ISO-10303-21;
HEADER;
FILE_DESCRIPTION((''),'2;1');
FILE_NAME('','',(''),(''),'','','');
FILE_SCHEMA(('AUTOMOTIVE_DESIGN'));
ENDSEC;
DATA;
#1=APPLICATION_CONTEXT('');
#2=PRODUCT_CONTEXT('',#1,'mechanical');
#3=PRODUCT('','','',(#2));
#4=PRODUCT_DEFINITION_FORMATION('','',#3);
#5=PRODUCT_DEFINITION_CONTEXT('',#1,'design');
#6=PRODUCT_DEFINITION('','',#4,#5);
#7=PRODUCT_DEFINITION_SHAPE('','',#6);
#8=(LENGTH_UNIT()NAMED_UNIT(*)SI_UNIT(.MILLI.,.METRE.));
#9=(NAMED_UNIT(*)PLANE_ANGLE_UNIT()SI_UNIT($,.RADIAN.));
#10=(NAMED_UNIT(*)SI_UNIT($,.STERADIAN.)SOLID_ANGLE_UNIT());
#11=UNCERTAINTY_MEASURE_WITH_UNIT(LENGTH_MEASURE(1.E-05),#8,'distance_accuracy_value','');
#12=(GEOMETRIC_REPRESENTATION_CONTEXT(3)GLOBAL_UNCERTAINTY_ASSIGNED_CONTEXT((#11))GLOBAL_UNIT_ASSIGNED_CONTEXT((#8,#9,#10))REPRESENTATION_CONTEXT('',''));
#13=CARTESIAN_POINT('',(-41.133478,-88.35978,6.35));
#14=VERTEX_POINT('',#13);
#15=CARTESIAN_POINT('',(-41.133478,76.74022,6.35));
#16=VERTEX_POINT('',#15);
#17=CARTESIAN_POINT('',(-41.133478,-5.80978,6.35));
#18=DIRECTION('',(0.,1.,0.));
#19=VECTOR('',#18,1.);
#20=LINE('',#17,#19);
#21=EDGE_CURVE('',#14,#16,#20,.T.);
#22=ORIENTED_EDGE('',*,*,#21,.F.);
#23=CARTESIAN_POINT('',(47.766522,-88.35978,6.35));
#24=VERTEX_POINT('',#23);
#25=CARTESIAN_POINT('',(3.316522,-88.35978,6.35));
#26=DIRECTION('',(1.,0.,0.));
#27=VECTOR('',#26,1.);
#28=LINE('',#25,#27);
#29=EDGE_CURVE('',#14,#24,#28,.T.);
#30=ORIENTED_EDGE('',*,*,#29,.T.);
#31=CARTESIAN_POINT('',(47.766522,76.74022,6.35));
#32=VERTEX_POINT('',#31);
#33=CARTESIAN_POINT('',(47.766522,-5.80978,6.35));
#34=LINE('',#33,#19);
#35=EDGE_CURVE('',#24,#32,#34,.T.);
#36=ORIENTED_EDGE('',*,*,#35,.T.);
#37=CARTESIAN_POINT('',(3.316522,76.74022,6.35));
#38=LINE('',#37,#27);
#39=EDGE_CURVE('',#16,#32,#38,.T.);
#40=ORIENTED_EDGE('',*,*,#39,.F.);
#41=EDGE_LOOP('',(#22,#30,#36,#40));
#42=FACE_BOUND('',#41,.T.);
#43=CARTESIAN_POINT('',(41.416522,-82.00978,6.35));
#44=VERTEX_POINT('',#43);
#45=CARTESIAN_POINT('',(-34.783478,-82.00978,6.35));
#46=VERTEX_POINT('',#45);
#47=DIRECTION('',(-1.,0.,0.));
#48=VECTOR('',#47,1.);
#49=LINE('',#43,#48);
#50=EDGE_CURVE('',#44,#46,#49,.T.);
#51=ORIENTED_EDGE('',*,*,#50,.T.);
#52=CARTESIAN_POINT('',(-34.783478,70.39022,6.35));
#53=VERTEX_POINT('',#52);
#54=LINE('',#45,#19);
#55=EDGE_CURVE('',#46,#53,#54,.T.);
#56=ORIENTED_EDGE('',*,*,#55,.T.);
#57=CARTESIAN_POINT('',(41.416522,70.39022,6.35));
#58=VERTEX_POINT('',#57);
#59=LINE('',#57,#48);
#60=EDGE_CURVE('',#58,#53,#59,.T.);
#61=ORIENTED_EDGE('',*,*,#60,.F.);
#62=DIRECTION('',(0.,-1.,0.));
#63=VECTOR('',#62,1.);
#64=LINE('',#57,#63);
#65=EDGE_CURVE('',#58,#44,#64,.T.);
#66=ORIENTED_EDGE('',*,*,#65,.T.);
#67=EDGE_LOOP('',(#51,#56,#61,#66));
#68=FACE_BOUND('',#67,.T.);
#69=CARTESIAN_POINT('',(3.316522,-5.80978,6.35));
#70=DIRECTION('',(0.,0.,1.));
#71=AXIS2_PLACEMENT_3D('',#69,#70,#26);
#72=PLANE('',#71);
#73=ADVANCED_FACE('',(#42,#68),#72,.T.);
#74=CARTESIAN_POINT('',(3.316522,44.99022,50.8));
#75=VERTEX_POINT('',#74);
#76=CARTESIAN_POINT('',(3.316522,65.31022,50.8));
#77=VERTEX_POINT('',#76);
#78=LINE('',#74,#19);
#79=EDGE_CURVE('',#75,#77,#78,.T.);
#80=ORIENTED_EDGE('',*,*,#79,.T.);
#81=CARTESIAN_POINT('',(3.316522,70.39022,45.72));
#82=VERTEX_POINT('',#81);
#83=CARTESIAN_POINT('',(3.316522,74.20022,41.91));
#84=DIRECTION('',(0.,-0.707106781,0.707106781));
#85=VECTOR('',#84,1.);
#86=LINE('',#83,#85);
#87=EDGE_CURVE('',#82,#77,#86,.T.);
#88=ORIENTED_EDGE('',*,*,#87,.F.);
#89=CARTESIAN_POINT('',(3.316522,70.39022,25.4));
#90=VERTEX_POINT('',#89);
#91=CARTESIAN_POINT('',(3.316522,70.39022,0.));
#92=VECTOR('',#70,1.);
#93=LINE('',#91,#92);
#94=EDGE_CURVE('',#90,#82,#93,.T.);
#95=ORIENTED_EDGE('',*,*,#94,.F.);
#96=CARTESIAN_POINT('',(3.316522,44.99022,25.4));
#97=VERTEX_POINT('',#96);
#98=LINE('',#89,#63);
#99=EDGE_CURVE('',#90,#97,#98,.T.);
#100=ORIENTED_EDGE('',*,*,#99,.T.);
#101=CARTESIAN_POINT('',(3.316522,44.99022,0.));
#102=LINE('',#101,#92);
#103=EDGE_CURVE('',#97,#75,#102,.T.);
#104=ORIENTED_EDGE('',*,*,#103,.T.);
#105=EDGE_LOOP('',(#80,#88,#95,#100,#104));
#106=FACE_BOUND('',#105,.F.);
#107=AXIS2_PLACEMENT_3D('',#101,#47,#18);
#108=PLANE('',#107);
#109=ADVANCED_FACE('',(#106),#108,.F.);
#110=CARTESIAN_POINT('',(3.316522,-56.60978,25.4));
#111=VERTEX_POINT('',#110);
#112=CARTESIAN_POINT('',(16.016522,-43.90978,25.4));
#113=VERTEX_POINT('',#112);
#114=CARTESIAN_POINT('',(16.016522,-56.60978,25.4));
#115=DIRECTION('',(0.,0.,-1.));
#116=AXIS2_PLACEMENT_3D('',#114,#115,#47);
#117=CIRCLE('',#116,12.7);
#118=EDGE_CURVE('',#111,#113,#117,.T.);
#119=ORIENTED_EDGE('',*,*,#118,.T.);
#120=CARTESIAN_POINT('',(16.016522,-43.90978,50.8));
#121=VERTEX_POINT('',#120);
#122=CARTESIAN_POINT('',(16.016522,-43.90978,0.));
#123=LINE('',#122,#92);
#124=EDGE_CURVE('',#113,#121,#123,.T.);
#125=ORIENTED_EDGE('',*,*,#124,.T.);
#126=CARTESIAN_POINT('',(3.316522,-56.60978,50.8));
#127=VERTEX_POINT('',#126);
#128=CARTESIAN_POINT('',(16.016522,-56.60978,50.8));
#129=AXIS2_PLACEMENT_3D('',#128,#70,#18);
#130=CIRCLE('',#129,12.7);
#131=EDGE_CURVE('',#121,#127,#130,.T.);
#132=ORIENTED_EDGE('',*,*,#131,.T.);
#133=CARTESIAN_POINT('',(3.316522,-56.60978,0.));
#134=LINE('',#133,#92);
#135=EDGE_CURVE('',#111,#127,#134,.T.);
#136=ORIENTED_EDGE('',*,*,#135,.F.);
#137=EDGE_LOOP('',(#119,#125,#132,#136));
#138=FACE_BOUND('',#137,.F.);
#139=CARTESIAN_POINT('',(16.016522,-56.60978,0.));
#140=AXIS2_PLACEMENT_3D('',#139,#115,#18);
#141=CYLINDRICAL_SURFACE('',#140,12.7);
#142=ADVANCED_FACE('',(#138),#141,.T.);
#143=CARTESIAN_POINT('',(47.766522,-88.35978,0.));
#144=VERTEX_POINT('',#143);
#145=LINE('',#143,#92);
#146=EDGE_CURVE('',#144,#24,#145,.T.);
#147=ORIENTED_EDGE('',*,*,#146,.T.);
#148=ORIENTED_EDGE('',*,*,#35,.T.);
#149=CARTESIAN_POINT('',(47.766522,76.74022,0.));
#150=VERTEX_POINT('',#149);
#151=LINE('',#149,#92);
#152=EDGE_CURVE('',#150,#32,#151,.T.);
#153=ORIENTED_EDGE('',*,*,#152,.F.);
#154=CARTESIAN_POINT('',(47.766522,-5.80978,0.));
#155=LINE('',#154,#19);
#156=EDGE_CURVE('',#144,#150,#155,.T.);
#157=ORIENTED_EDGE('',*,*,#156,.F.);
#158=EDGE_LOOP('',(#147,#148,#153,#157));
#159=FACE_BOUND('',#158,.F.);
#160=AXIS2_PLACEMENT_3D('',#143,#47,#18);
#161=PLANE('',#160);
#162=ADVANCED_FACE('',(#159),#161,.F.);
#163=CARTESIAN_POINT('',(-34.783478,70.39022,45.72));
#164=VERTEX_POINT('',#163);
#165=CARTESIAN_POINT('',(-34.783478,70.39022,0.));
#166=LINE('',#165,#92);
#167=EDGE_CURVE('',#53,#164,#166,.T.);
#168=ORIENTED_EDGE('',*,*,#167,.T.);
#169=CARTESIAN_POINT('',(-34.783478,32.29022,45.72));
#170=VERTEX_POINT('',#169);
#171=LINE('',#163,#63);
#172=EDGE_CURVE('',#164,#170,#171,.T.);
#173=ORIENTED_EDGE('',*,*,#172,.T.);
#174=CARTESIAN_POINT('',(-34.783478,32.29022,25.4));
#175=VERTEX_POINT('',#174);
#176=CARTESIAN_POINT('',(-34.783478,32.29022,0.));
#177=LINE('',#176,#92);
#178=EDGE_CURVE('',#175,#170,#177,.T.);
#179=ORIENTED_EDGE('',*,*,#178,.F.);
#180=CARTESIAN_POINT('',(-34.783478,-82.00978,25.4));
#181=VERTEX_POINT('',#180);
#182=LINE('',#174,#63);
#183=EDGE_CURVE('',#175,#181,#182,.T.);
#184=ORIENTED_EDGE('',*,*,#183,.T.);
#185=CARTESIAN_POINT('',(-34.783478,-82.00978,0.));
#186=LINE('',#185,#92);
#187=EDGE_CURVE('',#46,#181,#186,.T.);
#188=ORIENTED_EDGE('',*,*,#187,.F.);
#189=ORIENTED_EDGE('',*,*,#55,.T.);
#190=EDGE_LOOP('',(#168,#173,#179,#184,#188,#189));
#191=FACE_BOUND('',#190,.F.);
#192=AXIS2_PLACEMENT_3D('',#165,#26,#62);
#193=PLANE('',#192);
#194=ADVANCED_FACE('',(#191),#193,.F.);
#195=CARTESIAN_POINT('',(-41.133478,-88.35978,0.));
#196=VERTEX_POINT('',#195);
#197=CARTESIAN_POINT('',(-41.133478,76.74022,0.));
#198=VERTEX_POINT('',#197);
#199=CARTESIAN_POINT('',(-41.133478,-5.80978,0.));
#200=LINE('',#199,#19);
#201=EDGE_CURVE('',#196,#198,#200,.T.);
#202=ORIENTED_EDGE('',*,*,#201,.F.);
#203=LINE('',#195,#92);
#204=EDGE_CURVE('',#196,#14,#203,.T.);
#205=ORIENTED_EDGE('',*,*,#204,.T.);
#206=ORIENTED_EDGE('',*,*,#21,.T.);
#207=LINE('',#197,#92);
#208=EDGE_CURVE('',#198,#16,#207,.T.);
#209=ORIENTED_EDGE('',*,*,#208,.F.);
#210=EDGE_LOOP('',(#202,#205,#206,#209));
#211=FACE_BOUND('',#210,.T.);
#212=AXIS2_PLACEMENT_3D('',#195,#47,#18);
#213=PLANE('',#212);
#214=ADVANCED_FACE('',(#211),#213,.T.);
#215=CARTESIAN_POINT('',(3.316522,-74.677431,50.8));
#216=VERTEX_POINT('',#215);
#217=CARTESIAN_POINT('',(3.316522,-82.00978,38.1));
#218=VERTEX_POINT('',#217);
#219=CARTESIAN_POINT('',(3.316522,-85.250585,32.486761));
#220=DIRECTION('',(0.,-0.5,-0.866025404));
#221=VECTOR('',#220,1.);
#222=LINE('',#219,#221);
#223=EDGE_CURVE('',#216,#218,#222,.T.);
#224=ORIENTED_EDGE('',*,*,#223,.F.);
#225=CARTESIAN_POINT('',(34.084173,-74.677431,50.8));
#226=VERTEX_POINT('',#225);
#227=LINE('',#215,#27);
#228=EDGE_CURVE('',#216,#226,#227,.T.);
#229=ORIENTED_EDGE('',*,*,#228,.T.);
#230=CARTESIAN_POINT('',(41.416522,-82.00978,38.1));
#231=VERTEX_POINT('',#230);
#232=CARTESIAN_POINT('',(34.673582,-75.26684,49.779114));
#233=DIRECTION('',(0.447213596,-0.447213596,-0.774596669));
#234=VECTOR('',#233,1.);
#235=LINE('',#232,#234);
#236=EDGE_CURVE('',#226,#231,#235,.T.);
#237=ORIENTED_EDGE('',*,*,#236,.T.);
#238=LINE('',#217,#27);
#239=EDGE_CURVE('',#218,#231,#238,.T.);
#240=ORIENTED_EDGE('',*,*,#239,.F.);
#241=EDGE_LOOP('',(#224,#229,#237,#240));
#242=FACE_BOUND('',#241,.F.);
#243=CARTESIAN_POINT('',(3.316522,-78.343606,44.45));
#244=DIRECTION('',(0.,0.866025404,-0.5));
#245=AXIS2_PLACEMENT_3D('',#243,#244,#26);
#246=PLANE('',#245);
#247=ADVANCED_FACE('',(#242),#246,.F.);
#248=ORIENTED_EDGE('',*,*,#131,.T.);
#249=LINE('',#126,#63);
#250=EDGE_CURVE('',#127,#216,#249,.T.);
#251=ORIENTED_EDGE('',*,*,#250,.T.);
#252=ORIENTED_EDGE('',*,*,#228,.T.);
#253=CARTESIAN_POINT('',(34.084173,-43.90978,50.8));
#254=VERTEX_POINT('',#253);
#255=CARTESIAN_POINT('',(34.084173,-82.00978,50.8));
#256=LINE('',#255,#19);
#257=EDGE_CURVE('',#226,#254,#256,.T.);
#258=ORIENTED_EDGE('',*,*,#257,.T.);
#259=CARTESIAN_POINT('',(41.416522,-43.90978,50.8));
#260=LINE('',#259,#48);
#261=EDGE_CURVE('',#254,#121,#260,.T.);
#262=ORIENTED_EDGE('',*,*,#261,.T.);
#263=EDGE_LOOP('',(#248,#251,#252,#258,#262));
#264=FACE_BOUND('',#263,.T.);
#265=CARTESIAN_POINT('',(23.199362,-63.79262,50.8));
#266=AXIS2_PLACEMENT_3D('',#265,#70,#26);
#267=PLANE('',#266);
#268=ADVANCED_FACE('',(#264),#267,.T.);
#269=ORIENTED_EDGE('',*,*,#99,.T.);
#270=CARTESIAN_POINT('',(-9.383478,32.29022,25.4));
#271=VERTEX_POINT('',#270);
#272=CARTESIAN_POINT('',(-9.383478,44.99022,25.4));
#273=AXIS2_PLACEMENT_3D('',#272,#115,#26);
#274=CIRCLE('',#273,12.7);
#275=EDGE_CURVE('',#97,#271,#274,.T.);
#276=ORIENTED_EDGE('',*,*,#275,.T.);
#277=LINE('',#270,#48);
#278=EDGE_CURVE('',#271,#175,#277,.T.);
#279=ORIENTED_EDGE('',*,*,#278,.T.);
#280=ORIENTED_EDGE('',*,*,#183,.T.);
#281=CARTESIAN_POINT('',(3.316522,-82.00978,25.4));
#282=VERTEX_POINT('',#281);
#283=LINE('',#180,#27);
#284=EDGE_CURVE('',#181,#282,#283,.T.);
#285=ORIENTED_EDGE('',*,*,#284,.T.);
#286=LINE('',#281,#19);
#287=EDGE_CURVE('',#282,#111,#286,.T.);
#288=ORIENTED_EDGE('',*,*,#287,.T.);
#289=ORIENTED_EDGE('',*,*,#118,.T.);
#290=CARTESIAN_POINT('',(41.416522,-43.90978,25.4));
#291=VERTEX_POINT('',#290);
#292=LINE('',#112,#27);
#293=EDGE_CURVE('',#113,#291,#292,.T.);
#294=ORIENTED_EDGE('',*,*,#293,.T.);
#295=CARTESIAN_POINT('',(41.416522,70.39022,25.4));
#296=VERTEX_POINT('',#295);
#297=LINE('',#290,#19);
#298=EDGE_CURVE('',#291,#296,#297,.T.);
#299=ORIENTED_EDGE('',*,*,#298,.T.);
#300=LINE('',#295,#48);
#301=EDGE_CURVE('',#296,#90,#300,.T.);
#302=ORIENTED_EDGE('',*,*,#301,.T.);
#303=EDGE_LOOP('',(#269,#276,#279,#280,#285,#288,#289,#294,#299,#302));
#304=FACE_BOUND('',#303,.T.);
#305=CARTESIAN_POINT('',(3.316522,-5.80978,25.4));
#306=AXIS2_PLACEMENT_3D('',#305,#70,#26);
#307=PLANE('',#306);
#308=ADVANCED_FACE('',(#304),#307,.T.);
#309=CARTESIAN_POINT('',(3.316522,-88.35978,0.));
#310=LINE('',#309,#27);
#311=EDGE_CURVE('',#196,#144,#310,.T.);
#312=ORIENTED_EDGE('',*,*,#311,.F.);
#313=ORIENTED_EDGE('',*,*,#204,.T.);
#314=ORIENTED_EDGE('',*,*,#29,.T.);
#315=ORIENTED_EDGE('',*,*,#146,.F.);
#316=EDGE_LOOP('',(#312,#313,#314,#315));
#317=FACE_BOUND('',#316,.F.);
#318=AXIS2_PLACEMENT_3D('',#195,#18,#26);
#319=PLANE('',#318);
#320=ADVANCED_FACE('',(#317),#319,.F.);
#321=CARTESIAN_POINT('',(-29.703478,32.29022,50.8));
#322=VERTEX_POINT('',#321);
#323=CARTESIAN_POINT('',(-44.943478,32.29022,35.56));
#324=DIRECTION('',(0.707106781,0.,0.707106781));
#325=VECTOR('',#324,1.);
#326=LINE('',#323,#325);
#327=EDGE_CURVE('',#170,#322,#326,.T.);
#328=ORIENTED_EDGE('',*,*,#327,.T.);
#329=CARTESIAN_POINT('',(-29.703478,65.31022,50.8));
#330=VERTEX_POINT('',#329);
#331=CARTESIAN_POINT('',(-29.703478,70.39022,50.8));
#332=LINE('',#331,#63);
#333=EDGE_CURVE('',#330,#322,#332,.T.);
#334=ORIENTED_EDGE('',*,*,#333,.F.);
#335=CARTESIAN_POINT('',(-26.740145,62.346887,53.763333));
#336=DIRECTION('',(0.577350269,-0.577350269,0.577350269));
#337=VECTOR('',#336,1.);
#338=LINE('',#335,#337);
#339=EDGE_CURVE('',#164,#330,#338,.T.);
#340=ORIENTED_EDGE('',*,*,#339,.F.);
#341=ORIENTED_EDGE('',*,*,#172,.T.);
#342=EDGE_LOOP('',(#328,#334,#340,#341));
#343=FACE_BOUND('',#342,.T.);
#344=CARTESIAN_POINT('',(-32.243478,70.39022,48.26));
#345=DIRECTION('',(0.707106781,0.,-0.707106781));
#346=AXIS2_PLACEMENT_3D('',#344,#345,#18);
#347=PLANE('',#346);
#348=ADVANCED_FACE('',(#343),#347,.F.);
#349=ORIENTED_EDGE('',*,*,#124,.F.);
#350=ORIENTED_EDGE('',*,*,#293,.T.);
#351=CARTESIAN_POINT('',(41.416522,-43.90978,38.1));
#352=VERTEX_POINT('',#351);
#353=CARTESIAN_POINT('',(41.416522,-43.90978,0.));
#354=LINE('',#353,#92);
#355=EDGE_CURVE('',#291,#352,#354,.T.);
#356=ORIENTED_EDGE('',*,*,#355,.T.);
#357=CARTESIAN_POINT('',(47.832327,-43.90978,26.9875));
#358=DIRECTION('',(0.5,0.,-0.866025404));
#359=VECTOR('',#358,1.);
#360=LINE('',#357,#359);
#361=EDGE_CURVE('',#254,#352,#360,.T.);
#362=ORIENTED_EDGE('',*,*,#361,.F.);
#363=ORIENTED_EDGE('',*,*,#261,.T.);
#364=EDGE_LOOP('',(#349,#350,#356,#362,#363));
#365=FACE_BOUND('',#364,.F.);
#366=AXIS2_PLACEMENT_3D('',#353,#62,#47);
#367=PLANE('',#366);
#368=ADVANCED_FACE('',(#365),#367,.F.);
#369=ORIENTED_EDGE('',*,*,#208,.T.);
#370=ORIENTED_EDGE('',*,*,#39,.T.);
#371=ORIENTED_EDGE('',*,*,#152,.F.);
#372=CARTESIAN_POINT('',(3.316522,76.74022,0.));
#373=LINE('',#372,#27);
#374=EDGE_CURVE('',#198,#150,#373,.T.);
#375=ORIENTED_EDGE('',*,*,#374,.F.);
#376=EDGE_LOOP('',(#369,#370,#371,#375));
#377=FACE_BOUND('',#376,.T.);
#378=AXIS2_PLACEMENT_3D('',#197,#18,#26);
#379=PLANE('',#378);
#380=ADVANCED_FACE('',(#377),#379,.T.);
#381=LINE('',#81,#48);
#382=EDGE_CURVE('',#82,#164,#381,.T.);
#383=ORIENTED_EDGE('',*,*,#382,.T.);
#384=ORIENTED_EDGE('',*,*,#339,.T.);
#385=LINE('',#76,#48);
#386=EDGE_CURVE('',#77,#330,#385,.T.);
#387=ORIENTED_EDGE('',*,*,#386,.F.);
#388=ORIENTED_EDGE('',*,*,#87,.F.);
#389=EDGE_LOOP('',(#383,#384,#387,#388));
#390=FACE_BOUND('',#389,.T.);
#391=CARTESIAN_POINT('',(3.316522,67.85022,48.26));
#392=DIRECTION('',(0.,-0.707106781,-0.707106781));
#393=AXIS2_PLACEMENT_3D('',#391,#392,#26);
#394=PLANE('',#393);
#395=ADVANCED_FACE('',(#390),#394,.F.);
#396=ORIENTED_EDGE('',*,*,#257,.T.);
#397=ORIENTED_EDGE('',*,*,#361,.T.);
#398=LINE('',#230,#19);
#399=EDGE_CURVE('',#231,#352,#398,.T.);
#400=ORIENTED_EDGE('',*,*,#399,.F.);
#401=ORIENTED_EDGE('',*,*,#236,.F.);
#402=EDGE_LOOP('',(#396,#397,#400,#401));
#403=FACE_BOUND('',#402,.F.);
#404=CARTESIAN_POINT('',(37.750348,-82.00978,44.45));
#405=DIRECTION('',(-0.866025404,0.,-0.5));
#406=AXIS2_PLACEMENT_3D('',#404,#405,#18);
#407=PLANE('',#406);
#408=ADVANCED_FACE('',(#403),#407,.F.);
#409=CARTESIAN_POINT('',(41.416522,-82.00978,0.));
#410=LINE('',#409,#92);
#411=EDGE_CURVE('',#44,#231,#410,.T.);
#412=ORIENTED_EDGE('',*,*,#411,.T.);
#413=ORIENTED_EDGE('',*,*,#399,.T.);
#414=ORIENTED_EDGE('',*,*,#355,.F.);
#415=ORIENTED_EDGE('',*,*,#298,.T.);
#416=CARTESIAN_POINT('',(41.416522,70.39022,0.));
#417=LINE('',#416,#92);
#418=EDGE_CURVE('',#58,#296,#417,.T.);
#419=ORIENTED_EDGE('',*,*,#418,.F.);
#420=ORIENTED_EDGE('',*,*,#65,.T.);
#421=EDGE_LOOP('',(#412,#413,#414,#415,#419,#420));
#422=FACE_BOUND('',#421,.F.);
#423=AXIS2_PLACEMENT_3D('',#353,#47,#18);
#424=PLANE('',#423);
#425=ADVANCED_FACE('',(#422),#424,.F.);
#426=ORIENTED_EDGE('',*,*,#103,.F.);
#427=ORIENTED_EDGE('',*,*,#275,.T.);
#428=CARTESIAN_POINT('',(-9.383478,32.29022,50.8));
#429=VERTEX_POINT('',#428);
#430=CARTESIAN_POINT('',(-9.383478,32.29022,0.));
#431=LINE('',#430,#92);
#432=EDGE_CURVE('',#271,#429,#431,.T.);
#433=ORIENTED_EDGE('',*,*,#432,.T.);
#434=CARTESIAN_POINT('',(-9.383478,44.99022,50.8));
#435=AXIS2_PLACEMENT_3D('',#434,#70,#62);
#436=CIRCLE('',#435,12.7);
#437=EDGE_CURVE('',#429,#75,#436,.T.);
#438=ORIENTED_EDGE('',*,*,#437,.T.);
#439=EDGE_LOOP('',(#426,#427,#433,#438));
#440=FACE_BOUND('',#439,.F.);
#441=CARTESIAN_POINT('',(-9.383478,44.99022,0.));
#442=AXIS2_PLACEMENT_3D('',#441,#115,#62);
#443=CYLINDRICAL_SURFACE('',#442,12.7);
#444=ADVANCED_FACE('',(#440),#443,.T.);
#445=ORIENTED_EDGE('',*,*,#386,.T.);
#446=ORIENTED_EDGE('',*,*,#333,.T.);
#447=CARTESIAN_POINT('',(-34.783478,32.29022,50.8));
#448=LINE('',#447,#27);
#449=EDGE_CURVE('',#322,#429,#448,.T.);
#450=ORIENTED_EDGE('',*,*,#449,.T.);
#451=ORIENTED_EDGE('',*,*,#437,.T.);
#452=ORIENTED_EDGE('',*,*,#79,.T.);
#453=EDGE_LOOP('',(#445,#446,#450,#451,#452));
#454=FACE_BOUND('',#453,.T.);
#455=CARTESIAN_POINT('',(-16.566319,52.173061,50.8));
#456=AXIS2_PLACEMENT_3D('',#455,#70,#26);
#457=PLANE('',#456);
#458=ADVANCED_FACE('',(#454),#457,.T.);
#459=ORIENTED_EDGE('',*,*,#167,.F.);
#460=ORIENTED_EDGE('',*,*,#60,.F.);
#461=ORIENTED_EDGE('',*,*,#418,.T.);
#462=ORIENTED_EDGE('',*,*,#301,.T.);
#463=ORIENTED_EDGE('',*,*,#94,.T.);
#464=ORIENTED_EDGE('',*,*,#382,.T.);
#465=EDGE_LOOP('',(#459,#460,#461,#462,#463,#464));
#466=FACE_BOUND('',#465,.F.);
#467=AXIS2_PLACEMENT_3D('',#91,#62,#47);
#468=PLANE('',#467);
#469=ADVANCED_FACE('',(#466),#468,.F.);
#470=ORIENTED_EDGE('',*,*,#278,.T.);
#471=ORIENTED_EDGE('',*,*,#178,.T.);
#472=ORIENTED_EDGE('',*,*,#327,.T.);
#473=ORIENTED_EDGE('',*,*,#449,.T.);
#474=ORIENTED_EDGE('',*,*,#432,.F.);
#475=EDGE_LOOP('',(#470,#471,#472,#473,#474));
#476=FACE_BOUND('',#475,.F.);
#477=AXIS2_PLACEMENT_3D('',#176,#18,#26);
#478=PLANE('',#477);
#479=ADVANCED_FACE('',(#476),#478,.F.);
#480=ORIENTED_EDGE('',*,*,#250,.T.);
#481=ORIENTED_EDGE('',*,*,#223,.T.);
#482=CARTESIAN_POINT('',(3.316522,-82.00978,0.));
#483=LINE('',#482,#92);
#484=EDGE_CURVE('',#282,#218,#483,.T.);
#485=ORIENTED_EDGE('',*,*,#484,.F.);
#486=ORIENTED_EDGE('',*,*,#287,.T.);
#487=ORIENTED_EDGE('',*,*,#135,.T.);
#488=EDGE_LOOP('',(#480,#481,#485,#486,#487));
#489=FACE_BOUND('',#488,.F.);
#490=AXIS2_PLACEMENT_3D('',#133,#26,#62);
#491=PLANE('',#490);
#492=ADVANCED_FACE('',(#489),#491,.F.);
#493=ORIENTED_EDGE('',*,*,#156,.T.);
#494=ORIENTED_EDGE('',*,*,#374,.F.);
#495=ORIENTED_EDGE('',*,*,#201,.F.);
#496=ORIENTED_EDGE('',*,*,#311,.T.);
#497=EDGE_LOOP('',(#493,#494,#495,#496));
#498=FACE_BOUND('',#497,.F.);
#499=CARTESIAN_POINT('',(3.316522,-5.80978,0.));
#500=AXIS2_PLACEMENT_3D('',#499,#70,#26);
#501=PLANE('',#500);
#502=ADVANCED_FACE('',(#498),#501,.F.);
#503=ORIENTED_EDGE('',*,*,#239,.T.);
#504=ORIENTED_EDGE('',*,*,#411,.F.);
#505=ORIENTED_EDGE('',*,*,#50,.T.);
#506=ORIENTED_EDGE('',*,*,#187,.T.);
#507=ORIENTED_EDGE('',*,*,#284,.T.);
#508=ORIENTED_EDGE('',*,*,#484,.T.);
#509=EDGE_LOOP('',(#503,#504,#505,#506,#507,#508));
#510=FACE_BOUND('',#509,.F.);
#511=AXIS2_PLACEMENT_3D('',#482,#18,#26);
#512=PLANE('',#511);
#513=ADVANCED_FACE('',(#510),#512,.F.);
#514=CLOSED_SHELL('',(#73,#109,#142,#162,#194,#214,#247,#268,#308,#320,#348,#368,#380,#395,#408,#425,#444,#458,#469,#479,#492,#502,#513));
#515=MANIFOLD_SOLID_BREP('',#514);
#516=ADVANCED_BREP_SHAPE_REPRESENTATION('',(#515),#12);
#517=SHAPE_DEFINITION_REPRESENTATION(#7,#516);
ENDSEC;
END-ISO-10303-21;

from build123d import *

# Parameters (mm, degrees)
F0_W     = 88.9
F0_H     = 165.1
F1_DEPTH = 6.35
F2_DEPTH = 25.4
F3_DEPTH = 50.8
F4_SIZE2 = 12.7
F4_SIZE  = 7.3323484187
F5_SIZE  = 5.08


with BuildPart() as f1:
    # F0 (on Top) → F1 (new body)
    with BuildSketch(Plane.XY):
        with Locations((3.3165217161, -5.8097798109)):
            Rectangle(F0_W, F0_H)
        Polygon((-34.7834782839, 32.2902201891), (-34.7834782839, 70.3902201891), (3.3165217161, 70.3902201891), (41.4165217161, 70.3902201891), (41.4165217161, -43.9097798109), (41.4165217161, -82.0097798109), (3.3165217161, -82.0097798109), (-34.7834782839, -82.0097798109), align=None, mode=Mode.SUBTRACT)
    extrude(amount=F1_DEPTH)

    # F0 (on Top) → F2 (join)
    with BuildSketch(Plane.XY):
        with BuildLine():
            Line((41.4165217161, 70.3902201891), (3.3165217161, 70.3902201891))
            Line((3.3165217161, 70.3902201891), (3.3165217161, 44.9902201891))
            ThreePointArc((3.3165217161, 44.9902201891), (-0.4032221628, 36.009964068), (-9.3834782839, 32.2902201891))
            Line((-9.3834782839, 32.2902201891), (-34.7834782839, 32.2902201891))
            Line((-34.7834782839, 32.2902201891), (-34.7834782839, -82.0097798109))
            Line((-34.7834782839, -82.0097798109), (3.3165217161, -82.0097798109))
            Line((3.3165217161, -82.0097798109), (3.3165217161, -56.6097798109))
            ThreePointArc((3.3165217161, -56.6097798109), (7.036265595, -47.6295236898), (16.0165217161, -43.9097798109))
            Line((16.0165217161, -43.9097798109), (41.4165217161, -43.9097798109))
            Line((41.4165217161, -43.9097798109), (41.4165217161, 70.3902201891))
        make_face()
    extrude(amount=F2_DEPTH)

    # F0 (on Top) → F3 (join)
    with BuildSketch(Plane.XY):
        with BuildLine():
            Line((3.3165217161, 70.3902201891), (-34.7834782839, 70.3902201891))
            Line((-34.7834782839, 70.3902201891), (-34.7834782839, 32.2902201891))
            Line((-34.7834782839, 32.2902201891), (-9.3834782839, 32.2902201891))
            ThreePointArc((-9.3834782839, 32.2902201891), (-0.4032221628, 36.009964068), (3.3165217161, 44.9902201891))
            Line((3.3165217161, 44.9902201891), (3.3165217161, 70.3902201891))
        make_face()
        with BuildLine():
            Line((41.4165217161, -82.0097798109), (41.4165217161, -43.9097798109))
            Line((41.4165217161, -43.9097798109), (16.0165217161, -43.9097798109))
            ThreePointArc((16.0165217161, -43.9097798109), (7.036265595, -47.6295236898), (3.3165217161, -56.6097798109))
            Line((3.3165217161, -56.6097798109), (3.3165217161, -82.0097798109))
            Line((3.3165217161, -82.0097798109), (41.4165217161, -82.0097798109))
        make_face()
    extrude(amount=F3_DEPTH)

    # F4
    f4_edges = [f1.edges().sort_by_distance(p)[0] for p in [
        (22.366522, -82.00978, 50.8),
        (41.416522, -62.95978, 50.8),
    ]]
    f4_side = f1.faces().sort_by_distance((22.762564, -63.355822, 50.8))[0]
    chamfer(f4_edges, length=F4_SIZE, length2=F4_SIZE2, reference=f4_side)

    # F5
    f5_edges = [f1.edges().sort_by_distance(p)[0] for p in [
        (-15.733478, 70.39022, 50.8),
        (-34.783478, 51.34022, 50.8),
    ]]
    chamfer(f5_edges, length=F5_SIZE)


solid = f1.part
